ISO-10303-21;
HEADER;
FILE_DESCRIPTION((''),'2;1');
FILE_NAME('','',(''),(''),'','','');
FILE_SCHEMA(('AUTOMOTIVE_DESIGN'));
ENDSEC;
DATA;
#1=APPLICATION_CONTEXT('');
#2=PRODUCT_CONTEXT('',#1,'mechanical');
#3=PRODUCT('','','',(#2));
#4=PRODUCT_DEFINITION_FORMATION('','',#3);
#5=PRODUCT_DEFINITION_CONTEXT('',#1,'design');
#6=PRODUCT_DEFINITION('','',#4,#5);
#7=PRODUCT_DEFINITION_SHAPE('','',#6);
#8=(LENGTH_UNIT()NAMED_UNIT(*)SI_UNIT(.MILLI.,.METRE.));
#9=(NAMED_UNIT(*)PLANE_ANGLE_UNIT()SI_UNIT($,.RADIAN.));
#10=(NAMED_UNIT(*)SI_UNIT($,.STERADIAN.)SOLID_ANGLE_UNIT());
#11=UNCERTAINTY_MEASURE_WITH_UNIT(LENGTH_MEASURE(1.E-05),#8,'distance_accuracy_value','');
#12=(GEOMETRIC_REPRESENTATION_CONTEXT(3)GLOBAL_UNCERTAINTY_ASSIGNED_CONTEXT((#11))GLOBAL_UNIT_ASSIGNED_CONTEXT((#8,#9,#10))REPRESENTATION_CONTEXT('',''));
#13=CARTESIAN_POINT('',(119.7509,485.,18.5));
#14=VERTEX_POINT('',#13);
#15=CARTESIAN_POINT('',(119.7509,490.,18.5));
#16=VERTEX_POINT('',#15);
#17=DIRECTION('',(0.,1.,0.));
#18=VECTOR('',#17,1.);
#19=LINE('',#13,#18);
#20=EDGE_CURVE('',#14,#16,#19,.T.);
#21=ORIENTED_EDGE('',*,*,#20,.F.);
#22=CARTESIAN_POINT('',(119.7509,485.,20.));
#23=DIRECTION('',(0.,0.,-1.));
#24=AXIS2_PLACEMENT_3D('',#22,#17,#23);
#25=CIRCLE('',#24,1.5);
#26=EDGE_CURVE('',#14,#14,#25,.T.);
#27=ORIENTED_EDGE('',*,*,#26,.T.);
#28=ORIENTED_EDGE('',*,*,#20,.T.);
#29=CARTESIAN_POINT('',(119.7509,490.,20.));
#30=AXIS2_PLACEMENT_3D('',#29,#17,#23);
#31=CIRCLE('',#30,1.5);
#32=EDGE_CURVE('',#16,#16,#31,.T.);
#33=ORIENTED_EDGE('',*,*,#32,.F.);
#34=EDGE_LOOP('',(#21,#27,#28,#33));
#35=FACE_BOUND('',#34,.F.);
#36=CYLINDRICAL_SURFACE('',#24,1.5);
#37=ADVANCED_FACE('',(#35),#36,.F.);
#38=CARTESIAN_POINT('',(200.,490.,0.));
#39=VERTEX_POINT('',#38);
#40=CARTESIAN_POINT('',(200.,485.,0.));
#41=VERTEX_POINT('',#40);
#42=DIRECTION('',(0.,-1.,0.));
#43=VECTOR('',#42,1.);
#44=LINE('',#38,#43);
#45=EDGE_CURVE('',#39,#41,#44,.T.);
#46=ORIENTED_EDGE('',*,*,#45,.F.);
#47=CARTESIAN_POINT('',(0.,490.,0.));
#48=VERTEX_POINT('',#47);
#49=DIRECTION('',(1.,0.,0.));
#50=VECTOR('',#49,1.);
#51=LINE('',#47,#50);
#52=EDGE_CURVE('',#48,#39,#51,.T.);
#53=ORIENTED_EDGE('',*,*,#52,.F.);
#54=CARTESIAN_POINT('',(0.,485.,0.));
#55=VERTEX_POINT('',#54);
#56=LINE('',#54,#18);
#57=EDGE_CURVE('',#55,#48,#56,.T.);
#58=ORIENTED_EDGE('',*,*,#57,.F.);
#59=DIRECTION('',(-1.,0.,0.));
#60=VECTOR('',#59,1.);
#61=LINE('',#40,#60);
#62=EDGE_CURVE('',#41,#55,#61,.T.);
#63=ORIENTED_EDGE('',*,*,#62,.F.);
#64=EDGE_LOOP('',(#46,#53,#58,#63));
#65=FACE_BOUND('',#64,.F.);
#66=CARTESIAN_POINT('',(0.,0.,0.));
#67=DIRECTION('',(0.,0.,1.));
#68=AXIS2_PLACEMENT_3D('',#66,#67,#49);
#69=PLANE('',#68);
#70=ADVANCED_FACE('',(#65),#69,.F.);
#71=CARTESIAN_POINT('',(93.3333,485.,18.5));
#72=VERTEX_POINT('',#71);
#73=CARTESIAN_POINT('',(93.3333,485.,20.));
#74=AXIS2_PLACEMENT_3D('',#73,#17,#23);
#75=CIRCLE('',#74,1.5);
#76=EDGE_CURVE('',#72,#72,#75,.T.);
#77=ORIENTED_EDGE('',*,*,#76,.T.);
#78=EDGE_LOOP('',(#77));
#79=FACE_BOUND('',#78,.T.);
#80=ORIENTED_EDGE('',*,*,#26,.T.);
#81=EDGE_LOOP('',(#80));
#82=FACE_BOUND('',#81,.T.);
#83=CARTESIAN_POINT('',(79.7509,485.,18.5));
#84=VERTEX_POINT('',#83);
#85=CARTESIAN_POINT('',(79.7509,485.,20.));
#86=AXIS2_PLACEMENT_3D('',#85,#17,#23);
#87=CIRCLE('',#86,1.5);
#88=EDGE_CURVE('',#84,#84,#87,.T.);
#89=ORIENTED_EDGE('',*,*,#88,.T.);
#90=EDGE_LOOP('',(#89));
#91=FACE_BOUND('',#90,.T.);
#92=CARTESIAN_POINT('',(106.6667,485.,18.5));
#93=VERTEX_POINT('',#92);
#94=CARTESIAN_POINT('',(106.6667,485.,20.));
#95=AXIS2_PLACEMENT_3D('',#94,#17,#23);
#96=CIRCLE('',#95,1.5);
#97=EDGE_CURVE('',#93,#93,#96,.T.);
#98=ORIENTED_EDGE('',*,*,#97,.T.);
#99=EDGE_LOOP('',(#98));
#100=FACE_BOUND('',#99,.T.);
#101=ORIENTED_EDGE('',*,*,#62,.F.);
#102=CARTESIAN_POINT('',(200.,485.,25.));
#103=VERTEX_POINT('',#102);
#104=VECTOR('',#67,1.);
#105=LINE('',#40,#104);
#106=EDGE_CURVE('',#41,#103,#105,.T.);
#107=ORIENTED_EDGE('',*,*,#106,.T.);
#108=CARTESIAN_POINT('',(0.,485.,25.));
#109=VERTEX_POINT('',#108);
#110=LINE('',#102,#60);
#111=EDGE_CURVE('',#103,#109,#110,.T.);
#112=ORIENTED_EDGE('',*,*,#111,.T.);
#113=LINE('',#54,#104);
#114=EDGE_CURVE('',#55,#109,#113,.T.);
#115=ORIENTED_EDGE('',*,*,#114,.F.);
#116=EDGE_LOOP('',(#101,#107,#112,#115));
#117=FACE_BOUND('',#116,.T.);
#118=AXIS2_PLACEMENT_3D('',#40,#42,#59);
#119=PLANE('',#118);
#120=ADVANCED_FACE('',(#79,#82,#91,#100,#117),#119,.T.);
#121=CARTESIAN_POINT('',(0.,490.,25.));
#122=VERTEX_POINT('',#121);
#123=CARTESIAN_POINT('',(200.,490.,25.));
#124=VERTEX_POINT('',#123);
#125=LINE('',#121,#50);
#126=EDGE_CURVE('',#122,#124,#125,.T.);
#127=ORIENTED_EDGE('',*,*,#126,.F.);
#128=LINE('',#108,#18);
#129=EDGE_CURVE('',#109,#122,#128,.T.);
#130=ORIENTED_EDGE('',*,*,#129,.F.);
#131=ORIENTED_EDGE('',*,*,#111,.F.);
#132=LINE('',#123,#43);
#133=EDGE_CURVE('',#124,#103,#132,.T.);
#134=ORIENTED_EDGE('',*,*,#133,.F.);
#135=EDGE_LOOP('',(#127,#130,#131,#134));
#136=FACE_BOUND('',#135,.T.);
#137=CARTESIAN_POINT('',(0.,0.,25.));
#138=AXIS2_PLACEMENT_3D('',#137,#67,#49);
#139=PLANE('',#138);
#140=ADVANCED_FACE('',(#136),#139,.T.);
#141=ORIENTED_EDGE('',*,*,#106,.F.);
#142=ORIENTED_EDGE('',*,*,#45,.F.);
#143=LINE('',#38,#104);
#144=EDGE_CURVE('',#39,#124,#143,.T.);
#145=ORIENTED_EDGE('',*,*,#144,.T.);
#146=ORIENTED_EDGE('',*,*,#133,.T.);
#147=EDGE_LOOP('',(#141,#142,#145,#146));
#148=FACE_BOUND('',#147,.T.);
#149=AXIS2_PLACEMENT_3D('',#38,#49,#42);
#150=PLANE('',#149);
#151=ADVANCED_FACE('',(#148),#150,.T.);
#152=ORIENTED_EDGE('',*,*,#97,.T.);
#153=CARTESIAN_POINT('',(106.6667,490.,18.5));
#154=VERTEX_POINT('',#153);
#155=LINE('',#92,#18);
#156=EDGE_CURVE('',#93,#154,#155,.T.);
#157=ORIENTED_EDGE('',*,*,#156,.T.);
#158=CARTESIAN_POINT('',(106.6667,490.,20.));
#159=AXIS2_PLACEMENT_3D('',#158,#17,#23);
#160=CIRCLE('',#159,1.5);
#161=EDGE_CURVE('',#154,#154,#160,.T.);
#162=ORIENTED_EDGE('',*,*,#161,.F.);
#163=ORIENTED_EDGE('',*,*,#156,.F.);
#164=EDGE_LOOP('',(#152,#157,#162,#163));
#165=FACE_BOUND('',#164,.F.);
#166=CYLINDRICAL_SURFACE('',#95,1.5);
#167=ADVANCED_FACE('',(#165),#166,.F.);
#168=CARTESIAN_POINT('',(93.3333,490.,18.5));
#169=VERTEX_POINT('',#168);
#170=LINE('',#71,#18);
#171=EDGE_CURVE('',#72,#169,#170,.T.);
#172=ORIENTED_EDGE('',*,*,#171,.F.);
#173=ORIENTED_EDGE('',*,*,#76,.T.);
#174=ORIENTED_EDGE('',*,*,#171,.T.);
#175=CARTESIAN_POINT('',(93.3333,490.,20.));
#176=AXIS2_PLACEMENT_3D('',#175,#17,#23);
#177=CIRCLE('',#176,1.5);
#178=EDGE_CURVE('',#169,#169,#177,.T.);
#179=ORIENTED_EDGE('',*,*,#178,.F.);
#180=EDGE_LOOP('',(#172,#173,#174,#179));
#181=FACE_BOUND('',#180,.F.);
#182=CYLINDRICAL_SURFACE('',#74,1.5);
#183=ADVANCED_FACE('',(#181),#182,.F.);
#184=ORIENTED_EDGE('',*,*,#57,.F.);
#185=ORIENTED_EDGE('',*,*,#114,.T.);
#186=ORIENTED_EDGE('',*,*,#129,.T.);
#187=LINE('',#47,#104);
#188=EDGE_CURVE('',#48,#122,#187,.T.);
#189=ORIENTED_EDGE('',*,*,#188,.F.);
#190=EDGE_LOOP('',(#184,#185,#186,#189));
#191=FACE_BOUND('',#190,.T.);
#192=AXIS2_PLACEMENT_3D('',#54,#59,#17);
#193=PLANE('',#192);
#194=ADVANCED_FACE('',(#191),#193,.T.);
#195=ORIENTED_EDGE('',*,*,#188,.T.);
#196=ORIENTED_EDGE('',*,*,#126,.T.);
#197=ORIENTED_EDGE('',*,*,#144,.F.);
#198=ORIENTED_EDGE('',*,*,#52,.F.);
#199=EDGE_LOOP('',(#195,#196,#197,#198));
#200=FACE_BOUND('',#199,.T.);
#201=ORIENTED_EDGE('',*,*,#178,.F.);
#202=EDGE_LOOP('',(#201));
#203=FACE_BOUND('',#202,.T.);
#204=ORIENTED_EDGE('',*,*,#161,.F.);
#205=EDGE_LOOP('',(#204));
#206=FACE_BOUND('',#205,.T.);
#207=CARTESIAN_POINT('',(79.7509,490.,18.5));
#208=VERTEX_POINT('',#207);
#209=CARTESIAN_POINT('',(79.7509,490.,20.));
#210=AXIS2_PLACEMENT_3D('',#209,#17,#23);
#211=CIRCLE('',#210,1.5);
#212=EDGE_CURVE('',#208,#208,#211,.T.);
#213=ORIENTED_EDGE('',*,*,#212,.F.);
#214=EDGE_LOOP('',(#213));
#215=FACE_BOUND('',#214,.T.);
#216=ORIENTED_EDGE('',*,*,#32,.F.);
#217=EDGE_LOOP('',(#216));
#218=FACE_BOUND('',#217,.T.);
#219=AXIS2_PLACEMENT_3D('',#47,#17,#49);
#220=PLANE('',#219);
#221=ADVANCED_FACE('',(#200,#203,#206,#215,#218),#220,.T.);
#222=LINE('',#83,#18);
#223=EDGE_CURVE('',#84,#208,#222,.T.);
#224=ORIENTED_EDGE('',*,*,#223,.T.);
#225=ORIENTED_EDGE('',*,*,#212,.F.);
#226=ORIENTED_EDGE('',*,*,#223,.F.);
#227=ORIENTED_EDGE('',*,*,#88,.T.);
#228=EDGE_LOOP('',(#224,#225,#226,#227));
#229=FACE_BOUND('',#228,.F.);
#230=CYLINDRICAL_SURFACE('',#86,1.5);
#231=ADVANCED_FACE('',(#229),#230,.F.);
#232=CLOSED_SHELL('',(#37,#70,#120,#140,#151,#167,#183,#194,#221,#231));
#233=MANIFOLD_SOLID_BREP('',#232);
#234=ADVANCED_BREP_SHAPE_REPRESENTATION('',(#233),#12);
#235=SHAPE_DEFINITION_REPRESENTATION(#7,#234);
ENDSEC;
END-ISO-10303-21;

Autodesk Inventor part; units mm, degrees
ref_plane "YZ Plane" through (0, 0, 0) normal (1, 0, 0) x (0, 1, 0)
ref_plane "XZ Plane" through (0, 0, 0) normal (0, 1, 0) x (-1, 0, 0)
ref_plane "XY Plane" through (0, 0, 0) normal (0, 0, 1) x (1, 0, 0)
ref_plane "Arbeitsebene1" through (0, 0, 0) normal (0, 0, 1) x (1, 0, 0)
sketch "Skizze1" plane through (0, 0, 0) normal (0, 0, 1) x (1, 0, 0)
  line L0 (0, 490) -> (200, 490) projected
  line L1 (0, 490) -> (200, 490)
  line L2 (200, 490) -> (200, 485)
  line L3 (200, 485) -> (0, 485)
  line L4 (0, 485) -> (0, 490)
  point P0 (0, 0)
  dimension "d0" = 5
extrude "Extrusion1" add sketch "Skizze1" along normal blind 25
sketch "Skizze2" plane through (0, 485, 0) normal (0, -1, 0) x (1, 0, 0)
  arc A0 (77.7509, 20) -> (81.7509, 20) centre (79.7509, 20) ccw
  arc A1 (117.7509, 20) -> (121.7509, 20) centre (119.7509, 20) ccw
  arc A2 (104.6667, 20) -> (108.6667, 20) centre (106.6667, 20) ccw
  arc A3 (91.3333, 20) -> (95.3333, 20) centre (93.3333, 20) ccw
  point P0 (0, 0)
hole "Bohrung1" at (119.7509, 485, 20) at (106.6667, 485, 20) at (93.3333, 485, 20) at (79.7509, 485, 20) direction (0, 1, 0) diameter 3 end through all
properties part number "SeilatrappeHalter"
